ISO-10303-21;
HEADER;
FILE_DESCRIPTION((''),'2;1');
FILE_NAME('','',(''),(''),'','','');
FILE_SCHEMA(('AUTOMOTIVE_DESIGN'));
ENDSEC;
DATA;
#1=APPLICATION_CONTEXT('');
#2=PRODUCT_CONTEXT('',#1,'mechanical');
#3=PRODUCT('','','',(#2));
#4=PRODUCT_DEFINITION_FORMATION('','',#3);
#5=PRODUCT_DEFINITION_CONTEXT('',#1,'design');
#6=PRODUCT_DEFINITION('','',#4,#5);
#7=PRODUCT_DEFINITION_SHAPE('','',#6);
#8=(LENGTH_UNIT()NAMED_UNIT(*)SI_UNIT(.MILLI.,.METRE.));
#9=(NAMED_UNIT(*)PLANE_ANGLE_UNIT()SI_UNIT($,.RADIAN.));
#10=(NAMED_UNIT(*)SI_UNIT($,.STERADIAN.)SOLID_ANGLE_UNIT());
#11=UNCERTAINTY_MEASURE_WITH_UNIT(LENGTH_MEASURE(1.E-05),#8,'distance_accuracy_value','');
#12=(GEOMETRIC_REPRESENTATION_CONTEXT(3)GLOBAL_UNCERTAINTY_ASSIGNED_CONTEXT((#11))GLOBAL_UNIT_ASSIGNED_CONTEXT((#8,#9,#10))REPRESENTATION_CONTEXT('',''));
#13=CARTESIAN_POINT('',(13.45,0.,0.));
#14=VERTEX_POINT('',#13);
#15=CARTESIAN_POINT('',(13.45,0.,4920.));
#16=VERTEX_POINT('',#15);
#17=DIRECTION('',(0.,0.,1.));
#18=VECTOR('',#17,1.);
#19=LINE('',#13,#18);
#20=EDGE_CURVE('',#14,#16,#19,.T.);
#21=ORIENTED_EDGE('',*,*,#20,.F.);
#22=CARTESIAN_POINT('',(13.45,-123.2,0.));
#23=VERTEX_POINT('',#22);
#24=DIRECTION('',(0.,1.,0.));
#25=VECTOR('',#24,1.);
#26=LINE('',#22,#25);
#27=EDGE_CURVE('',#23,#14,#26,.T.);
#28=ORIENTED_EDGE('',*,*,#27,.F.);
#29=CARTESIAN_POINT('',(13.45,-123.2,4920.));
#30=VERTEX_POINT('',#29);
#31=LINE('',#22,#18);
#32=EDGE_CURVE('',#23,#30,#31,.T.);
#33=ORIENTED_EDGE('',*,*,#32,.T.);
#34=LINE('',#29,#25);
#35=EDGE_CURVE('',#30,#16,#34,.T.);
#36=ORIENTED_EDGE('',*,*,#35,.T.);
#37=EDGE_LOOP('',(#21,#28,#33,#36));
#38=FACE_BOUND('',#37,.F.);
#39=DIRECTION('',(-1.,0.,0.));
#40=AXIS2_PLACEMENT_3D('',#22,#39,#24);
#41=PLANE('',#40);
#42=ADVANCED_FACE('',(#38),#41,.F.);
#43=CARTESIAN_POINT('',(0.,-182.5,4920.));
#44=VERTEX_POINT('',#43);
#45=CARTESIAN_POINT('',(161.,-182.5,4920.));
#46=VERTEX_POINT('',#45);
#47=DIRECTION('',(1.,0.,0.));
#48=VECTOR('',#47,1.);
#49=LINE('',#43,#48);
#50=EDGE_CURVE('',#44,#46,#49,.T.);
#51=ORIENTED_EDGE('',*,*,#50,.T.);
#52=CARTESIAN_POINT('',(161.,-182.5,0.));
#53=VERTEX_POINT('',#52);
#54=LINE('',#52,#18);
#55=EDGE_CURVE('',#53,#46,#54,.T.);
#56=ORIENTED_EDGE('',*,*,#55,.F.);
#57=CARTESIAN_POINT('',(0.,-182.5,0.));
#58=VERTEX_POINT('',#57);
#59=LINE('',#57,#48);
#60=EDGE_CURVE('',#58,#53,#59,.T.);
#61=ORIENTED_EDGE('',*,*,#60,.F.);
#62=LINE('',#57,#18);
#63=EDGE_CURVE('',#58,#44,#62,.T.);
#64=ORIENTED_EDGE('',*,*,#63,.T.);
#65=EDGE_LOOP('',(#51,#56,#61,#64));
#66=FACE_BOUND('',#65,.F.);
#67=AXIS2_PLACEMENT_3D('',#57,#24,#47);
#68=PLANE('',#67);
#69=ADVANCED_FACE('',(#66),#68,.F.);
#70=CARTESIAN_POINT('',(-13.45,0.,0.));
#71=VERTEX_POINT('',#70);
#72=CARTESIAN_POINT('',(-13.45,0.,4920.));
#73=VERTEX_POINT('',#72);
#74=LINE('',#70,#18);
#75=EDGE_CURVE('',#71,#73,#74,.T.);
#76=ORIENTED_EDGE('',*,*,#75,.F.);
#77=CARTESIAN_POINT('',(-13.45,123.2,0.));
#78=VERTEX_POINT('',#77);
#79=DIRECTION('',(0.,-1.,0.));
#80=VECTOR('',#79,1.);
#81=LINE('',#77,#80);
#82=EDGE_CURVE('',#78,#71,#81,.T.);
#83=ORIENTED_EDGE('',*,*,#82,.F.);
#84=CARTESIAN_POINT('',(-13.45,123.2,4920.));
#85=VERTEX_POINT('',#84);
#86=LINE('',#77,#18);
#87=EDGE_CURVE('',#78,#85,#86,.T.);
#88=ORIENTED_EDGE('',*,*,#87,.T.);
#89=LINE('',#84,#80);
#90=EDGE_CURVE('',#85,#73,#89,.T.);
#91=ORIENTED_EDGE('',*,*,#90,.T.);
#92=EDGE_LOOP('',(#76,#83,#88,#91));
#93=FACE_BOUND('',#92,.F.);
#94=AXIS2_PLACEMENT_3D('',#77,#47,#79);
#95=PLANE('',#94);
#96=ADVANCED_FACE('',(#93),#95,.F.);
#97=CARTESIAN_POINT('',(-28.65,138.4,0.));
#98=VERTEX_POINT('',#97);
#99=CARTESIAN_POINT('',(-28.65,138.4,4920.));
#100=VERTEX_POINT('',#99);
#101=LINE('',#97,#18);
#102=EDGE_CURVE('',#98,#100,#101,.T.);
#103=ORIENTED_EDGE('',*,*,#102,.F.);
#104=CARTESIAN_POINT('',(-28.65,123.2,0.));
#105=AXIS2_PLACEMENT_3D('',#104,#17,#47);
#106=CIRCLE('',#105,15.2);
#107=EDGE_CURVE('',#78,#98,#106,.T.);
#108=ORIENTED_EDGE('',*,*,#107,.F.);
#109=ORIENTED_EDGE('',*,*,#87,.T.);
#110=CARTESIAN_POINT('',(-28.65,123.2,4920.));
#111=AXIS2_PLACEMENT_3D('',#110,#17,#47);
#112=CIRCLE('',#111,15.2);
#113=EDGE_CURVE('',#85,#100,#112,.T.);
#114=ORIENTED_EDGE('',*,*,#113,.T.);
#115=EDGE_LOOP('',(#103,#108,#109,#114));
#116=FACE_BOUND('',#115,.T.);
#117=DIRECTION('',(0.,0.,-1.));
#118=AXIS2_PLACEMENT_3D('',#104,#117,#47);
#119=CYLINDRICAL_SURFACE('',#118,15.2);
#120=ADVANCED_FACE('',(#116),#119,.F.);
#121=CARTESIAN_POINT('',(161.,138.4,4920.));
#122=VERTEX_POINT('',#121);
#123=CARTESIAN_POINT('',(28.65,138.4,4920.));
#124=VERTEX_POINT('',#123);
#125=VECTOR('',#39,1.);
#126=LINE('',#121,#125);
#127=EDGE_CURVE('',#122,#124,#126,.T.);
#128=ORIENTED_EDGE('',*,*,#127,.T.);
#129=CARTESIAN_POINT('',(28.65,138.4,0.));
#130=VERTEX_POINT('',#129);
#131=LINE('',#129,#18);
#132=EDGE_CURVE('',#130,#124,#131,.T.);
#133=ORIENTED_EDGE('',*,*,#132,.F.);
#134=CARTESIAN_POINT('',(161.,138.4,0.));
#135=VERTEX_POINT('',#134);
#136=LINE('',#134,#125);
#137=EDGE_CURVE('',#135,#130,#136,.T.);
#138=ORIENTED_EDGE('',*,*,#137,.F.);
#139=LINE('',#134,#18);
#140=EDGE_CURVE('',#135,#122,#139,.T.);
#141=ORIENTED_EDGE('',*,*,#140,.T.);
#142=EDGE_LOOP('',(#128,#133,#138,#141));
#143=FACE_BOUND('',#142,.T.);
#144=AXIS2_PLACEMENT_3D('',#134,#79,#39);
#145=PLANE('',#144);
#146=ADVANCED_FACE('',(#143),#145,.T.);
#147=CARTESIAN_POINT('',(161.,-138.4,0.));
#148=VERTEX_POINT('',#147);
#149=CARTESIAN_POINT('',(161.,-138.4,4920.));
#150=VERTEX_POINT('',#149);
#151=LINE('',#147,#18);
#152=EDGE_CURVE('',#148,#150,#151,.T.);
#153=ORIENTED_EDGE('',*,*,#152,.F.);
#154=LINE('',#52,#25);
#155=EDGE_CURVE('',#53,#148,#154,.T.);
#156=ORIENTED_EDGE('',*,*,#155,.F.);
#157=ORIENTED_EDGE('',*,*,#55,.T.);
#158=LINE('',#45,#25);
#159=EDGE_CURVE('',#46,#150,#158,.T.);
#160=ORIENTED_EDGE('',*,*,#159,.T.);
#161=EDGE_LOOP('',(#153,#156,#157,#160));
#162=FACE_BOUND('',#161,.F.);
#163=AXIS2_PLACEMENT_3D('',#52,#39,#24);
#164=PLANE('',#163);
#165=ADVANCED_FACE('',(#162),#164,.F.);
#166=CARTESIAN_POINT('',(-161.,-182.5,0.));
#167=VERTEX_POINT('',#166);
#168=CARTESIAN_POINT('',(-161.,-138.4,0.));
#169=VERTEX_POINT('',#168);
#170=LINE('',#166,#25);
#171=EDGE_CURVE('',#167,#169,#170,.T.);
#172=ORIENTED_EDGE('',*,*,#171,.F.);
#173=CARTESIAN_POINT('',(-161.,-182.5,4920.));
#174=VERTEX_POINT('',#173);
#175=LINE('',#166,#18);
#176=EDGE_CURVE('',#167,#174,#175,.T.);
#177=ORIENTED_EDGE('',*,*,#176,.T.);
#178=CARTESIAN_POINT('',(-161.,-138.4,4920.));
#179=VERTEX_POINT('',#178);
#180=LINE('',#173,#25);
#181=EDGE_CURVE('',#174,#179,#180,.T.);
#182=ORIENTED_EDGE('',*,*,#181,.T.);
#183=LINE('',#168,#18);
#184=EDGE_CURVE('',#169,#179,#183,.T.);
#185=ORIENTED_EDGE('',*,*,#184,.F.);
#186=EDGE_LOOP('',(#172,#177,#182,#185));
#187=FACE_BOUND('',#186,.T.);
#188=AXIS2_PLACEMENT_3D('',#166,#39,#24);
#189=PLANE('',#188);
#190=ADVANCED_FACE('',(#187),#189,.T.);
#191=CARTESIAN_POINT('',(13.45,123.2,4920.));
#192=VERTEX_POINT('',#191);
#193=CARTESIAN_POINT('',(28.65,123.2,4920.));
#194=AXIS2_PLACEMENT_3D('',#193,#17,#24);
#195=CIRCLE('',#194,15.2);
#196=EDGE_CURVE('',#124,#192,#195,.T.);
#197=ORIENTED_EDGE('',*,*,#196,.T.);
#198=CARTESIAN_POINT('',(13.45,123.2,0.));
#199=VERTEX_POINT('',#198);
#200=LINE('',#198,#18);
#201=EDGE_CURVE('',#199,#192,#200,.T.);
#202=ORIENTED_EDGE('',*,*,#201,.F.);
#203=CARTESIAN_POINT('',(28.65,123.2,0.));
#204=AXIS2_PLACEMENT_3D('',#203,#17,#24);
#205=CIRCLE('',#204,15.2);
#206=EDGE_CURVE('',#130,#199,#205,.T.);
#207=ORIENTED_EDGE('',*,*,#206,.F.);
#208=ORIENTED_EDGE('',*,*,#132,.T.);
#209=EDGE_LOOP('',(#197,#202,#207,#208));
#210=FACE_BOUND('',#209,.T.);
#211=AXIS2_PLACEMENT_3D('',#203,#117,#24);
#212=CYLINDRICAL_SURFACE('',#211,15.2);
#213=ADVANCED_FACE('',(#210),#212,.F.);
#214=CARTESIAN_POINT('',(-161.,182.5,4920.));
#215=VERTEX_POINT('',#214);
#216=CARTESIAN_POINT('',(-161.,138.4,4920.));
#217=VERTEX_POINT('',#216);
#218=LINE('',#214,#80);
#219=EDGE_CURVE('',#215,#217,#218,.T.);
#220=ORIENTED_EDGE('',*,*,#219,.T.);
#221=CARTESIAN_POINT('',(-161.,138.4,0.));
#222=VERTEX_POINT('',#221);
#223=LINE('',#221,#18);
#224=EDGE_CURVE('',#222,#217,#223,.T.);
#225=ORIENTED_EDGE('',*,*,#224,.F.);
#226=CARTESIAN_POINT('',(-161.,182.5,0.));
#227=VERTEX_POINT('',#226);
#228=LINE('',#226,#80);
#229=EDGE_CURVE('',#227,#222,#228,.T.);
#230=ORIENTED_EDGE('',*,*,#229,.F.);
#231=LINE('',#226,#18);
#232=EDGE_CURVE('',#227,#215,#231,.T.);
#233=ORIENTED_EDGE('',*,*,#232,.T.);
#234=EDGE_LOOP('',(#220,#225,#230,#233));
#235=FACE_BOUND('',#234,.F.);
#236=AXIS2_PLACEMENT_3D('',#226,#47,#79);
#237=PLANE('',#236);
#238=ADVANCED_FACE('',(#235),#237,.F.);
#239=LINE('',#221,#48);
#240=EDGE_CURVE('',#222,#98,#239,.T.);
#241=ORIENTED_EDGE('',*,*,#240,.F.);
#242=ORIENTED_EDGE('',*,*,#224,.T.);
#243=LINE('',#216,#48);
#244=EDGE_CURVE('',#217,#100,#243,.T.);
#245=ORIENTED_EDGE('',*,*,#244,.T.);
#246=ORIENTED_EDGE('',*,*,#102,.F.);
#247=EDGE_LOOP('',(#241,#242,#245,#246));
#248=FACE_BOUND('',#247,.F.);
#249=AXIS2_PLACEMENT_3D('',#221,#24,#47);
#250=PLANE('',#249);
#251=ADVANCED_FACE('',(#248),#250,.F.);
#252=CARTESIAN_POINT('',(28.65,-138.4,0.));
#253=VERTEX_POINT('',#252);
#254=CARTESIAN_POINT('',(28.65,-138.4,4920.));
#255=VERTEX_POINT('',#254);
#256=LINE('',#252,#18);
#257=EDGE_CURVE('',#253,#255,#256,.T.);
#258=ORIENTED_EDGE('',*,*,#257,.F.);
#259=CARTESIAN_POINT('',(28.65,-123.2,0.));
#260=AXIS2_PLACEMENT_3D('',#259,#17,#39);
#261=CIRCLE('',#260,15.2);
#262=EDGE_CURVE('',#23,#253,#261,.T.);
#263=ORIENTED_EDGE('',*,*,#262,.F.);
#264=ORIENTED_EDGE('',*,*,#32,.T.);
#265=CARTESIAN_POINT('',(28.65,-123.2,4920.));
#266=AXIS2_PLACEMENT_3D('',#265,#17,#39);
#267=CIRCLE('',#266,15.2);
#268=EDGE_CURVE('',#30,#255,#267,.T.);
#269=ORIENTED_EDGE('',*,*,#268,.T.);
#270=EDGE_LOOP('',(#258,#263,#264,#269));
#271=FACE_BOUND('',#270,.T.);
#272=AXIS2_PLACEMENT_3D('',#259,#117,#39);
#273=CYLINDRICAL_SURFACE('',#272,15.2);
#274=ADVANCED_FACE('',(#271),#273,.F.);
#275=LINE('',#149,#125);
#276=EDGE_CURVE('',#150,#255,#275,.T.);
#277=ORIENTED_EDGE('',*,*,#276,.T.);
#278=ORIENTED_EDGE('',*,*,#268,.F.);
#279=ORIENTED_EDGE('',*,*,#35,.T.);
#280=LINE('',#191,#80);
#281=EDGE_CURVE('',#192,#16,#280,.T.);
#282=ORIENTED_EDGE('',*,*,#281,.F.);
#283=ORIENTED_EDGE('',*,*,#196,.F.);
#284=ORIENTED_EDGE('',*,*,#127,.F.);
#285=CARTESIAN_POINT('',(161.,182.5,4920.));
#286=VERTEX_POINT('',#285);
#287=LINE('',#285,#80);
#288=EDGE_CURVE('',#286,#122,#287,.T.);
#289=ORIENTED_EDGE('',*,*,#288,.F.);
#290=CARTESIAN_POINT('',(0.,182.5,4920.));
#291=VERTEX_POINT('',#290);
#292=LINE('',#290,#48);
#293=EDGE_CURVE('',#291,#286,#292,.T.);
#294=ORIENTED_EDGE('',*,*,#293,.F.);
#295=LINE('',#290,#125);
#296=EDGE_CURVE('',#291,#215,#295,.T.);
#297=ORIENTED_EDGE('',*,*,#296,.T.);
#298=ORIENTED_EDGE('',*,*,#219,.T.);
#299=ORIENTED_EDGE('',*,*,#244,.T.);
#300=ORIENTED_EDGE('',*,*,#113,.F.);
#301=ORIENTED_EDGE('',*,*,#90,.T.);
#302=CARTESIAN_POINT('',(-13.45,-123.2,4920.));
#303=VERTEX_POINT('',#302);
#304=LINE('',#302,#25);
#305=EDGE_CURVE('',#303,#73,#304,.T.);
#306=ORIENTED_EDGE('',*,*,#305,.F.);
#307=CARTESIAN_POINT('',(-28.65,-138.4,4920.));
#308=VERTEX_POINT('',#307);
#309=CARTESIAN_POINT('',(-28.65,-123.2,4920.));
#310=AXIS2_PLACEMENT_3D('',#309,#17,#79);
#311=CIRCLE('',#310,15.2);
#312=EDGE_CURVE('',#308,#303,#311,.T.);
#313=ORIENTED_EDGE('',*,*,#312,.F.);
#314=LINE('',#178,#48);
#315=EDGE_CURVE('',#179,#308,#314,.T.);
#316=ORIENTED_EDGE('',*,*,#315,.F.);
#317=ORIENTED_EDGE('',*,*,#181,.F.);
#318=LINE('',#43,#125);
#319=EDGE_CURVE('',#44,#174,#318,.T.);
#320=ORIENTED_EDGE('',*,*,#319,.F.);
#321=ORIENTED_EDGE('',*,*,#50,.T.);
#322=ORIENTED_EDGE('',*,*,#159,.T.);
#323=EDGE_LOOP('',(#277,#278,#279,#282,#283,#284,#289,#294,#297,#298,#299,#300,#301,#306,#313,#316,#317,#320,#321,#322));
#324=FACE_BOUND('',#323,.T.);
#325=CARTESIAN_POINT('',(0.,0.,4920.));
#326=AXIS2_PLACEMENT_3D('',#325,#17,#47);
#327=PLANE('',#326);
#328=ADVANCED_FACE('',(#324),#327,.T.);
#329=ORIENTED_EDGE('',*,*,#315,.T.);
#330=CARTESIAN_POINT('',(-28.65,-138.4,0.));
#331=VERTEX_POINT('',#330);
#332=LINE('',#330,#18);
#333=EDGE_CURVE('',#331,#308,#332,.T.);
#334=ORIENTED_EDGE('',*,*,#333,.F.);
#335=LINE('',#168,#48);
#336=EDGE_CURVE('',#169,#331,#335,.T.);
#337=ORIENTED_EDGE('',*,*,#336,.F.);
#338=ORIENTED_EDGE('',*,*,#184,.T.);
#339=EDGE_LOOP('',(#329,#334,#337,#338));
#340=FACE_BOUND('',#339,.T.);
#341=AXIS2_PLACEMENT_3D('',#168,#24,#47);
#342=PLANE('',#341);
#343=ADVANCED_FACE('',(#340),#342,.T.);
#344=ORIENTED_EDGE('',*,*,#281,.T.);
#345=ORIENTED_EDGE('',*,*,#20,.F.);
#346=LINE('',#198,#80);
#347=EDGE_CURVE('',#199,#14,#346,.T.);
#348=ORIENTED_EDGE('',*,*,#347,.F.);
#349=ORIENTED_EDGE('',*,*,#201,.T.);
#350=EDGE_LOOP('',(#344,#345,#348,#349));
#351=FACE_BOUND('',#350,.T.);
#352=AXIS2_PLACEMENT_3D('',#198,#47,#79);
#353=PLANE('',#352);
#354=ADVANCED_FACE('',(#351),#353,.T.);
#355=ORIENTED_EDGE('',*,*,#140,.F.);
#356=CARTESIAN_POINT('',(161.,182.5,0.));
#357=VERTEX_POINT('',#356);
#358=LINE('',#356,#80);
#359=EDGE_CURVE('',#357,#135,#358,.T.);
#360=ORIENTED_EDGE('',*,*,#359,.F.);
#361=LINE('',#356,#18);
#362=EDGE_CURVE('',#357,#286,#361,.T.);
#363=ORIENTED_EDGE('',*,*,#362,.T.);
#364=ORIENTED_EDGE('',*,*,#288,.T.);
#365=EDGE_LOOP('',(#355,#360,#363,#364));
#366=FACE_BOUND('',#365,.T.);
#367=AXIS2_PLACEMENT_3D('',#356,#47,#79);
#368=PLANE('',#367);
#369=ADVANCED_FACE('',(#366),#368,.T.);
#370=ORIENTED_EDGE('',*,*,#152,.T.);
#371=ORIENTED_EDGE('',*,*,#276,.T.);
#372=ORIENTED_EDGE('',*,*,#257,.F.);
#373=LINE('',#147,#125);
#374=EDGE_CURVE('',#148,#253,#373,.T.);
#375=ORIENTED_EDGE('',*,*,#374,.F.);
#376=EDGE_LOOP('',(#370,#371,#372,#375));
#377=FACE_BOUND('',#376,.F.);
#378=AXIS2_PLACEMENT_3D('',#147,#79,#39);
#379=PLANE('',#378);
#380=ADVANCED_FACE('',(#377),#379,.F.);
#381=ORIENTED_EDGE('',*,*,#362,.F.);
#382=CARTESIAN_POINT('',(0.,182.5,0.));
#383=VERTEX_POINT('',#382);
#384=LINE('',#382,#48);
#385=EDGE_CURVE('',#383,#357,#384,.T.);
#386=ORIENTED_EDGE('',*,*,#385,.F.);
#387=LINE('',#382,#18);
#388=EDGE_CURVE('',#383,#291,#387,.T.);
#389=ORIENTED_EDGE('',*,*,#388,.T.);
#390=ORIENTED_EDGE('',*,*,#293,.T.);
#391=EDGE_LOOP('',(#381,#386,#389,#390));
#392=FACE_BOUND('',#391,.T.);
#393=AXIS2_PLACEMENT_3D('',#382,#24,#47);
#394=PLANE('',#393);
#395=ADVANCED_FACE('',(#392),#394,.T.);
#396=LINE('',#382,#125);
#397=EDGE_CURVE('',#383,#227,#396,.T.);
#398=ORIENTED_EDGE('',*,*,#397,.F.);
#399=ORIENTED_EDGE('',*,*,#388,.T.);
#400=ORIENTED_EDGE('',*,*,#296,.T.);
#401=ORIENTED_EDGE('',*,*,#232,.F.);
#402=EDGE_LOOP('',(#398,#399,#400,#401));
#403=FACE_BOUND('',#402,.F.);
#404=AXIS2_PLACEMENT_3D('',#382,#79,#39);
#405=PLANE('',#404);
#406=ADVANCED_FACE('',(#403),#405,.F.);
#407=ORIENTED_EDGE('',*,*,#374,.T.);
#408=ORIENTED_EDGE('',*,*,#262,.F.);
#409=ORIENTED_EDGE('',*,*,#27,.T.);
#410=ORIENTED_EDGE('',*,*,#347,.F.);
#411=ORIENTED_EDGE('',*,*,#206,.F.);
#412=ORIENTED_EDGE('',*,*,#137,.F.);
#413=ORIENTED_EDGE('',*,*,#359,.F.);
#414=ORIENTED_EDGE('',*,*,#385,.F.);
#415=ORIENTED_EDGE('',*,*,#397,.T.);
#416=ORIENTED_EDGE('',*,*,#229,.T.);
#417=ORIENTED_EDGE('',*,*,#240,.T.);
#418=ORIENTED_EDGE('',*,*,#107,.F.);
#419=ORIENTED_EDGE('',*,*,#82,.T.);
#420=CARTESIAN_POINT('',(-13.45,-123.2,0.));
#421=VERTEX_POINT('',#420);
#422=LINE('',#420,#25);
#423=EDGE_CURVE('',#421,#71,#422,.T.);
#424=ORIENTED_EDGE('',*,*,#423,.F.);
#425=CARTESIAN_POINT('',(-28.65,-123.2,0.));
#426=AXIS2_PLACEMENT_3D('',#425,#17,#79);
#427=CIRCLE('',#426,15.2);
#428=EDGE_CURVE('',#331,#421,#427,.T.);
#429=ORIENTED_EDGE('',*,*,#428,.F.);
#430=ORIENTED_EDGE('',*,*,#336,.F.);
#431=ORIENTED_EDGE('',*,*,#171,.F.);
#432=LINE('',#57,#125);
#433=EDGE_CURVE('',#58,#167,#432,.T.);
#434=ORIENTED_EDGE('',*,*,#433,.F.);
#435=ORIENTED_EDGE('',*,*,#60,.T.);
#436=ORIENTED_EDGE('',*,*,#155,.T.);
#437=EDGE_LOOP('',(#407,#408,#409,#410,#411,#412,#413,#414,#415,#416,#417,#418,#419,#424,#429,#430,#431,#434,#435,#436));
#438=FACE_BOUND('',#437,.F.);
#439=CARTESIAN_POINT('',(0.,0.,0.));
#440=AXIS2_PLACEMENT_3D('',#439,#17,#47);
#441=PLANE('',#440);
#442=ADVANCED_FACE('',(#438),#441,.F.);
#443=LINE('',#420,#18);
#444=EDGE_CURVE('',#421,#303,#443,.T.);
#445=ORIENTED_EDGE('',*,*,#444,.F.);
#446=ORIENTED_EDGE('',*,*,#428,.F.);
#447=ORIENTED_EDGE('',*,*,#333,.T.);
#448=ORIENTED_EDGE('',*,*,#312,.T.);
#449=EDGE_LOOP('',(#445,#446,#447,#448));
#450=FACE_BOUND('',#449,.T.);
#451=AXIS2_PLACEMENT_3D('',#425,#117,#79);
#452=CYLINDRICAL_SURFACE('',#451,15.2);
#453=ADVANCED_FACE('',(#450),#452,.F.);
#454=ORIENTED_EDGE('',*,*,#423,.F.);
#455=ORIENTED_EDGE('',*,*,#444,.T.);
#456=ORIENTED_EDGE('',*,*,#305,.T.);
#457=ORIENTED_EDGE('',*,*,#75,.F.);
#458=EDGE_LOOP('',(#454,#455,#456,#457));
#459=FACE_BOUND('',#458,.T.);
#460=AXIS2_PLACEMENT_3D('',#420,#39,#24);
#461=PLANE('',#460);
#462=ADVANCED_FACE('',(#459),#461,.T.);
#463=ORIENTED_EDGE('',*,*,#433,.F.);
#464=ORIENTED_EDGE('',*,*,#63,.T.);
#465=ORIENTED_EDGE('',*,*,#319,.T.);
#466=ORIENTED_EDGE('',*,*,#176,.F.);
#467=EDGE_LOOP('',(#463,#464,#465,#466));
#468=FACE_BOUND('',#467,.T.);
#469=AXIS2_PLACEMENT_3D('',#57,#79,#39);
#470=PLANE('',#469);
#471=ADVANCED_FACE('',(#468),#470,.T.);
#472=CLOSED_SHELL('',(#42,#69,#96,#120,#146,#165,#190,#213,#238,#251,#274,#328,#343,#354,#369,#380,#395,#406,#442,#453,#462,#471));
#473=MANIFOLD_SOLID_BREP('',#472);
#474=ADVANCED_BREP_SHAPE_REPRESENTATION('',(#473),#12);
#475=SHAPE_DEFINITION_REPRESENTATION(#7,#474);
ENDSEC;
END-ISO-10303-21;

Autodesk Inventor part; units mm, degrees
ref_plane "YZ Plane" through (0, 0, 0) normal (1, 0, 0) x (0, 1, 0)
ref_plane "Start plane" through (0, 0, 0) normal (0, 0, 1) x (1, 0, 0)
ref_plane "End plane" through (0, 0, 4920) normal (0, 0, 1) x (1, 0, 0)
sketch "Sketch" plane through (0, 0, 0) normal (0, 0, 1) x (1, 0, 0)
  line L0 (-161, -182.5) -> (-161, -138.4)
  line L1 (-161, -138.4) -> (-28.65, -138.4)
  line L2 (-13.45, -123.2) -> (-13.45, 0)
  line L3 (-13.45, 0) -> (0, 0) construction
  line L4 (0, 0) -> (0, -182.5) construction
  line L5 (0, -182.5) -> (-161, -182.5)
  line L6 (-60, 0) -> (80, 0) construction
  line L7 (0, -60) -> (0, 80) construction
  line L8 (161, -182.5) -> (161, -138.4)
  line L9 (161, -138.4) -> (28.65, -138.4)
  line L10 (13.45, -123.2) -> (13.45, 0)
  line L11 (13.45, 0) -> (0, 0) construction
  line L12 (0, -182.5) -> (161, -182.5)
  line L13 (-161, 182.5) -> (-161, 138.4)
  line L14 (-161, 138.4) -> (-28.65, 138.4)
  line L15 (-13.45, 123.2) -> (-13.45, 0)
  line L16 (0, 182.5) -> (-161, 182.5)
  line L17 (161, 182.5) -> (161, 138.4)
  line L18 (161, 138.4) -> (28.65, 138.4)
  line L19 (0, 182.5) -> (161, 182.5)
  line L20 (13.45, 123.2) -> (13.45, 0)
  arc A0 (-13.45, 123.2) -> (-28.65, 138.4) centre (-28.65, 123.2) ccw
  arc A1 (28.65, 138.4) -> (13.45, 123.2) centre (28.65, 123.2) ccw
  arc A2 (13.45, -123.2) -> (28.65, -138.4) centre (28.65, -123.2) ccw
  arc A3 (-28.65, -138.4) -> (-13.45, -123.2) centre (-28.65, -123.2) ccw
  line L21 (0, 108) -> (0, -88) construction
  line L22 (-88, 0) -> (108, 0) construction
  point P0 (-13.45, -138.4)
  point P1 (13.45, -138.4)
  point P2 (-13.45, 138.4)
  point P3 (13.45, 138.4)
  dimension "d1" = 182.5
  dimension "d2" = 44.1
  dimension "d3" = 161
  dimension "d4" = 13.45
  dimension "d10" = 15.2
extrude "Body" add sketch "Sketch" along normal up to surface (4920 mm away) from surface at 0
sketch "Sketch4" plane through (0, 0, 0) normal (0, 0, 1) x (1, 0, 0)
  line L0 (0, 0) -> (10, 0)
ref_plane "Work Plane3" through (0, 0, 0) normal (0, -1, 0) x (1, 0, 0)
sketch "Sketch5" plane through (0, 0, 0) normal (0, -1, 0) x (1, 0, 0)
  line L0 (-2, 0) -> (12, 0) projected
  line L1 (-2, 4920) -> (12, 4920) projected
  dimension "d14" = 4920
equation "\"d1\" = 0.5 * G_H"
equation "\"d2\" = G_T1"
equation "\"d3\" = 0.5 * G_W"
equation "\"d4\" = 0.5 * G_T"
equation "\"d10\" = G_IR"
equation "\"d5\" = G_L"
equation "\"G_W\" = 322"
equation "\"G_H\" = 365"
equation "\"G_T\" = 26.9"
equation "\"G_T1\" = 44.1"
equation "\"G_IR\" = 15.2"
equation "\"G_L\" = d14"
equation "\"G_OFFSET_START\" = 0"
equation "\"G_OFFSET_END\" = 0"
properties part number "AS 3679 - 310 UC - 283 - 4920" material "Steel, Mild"
